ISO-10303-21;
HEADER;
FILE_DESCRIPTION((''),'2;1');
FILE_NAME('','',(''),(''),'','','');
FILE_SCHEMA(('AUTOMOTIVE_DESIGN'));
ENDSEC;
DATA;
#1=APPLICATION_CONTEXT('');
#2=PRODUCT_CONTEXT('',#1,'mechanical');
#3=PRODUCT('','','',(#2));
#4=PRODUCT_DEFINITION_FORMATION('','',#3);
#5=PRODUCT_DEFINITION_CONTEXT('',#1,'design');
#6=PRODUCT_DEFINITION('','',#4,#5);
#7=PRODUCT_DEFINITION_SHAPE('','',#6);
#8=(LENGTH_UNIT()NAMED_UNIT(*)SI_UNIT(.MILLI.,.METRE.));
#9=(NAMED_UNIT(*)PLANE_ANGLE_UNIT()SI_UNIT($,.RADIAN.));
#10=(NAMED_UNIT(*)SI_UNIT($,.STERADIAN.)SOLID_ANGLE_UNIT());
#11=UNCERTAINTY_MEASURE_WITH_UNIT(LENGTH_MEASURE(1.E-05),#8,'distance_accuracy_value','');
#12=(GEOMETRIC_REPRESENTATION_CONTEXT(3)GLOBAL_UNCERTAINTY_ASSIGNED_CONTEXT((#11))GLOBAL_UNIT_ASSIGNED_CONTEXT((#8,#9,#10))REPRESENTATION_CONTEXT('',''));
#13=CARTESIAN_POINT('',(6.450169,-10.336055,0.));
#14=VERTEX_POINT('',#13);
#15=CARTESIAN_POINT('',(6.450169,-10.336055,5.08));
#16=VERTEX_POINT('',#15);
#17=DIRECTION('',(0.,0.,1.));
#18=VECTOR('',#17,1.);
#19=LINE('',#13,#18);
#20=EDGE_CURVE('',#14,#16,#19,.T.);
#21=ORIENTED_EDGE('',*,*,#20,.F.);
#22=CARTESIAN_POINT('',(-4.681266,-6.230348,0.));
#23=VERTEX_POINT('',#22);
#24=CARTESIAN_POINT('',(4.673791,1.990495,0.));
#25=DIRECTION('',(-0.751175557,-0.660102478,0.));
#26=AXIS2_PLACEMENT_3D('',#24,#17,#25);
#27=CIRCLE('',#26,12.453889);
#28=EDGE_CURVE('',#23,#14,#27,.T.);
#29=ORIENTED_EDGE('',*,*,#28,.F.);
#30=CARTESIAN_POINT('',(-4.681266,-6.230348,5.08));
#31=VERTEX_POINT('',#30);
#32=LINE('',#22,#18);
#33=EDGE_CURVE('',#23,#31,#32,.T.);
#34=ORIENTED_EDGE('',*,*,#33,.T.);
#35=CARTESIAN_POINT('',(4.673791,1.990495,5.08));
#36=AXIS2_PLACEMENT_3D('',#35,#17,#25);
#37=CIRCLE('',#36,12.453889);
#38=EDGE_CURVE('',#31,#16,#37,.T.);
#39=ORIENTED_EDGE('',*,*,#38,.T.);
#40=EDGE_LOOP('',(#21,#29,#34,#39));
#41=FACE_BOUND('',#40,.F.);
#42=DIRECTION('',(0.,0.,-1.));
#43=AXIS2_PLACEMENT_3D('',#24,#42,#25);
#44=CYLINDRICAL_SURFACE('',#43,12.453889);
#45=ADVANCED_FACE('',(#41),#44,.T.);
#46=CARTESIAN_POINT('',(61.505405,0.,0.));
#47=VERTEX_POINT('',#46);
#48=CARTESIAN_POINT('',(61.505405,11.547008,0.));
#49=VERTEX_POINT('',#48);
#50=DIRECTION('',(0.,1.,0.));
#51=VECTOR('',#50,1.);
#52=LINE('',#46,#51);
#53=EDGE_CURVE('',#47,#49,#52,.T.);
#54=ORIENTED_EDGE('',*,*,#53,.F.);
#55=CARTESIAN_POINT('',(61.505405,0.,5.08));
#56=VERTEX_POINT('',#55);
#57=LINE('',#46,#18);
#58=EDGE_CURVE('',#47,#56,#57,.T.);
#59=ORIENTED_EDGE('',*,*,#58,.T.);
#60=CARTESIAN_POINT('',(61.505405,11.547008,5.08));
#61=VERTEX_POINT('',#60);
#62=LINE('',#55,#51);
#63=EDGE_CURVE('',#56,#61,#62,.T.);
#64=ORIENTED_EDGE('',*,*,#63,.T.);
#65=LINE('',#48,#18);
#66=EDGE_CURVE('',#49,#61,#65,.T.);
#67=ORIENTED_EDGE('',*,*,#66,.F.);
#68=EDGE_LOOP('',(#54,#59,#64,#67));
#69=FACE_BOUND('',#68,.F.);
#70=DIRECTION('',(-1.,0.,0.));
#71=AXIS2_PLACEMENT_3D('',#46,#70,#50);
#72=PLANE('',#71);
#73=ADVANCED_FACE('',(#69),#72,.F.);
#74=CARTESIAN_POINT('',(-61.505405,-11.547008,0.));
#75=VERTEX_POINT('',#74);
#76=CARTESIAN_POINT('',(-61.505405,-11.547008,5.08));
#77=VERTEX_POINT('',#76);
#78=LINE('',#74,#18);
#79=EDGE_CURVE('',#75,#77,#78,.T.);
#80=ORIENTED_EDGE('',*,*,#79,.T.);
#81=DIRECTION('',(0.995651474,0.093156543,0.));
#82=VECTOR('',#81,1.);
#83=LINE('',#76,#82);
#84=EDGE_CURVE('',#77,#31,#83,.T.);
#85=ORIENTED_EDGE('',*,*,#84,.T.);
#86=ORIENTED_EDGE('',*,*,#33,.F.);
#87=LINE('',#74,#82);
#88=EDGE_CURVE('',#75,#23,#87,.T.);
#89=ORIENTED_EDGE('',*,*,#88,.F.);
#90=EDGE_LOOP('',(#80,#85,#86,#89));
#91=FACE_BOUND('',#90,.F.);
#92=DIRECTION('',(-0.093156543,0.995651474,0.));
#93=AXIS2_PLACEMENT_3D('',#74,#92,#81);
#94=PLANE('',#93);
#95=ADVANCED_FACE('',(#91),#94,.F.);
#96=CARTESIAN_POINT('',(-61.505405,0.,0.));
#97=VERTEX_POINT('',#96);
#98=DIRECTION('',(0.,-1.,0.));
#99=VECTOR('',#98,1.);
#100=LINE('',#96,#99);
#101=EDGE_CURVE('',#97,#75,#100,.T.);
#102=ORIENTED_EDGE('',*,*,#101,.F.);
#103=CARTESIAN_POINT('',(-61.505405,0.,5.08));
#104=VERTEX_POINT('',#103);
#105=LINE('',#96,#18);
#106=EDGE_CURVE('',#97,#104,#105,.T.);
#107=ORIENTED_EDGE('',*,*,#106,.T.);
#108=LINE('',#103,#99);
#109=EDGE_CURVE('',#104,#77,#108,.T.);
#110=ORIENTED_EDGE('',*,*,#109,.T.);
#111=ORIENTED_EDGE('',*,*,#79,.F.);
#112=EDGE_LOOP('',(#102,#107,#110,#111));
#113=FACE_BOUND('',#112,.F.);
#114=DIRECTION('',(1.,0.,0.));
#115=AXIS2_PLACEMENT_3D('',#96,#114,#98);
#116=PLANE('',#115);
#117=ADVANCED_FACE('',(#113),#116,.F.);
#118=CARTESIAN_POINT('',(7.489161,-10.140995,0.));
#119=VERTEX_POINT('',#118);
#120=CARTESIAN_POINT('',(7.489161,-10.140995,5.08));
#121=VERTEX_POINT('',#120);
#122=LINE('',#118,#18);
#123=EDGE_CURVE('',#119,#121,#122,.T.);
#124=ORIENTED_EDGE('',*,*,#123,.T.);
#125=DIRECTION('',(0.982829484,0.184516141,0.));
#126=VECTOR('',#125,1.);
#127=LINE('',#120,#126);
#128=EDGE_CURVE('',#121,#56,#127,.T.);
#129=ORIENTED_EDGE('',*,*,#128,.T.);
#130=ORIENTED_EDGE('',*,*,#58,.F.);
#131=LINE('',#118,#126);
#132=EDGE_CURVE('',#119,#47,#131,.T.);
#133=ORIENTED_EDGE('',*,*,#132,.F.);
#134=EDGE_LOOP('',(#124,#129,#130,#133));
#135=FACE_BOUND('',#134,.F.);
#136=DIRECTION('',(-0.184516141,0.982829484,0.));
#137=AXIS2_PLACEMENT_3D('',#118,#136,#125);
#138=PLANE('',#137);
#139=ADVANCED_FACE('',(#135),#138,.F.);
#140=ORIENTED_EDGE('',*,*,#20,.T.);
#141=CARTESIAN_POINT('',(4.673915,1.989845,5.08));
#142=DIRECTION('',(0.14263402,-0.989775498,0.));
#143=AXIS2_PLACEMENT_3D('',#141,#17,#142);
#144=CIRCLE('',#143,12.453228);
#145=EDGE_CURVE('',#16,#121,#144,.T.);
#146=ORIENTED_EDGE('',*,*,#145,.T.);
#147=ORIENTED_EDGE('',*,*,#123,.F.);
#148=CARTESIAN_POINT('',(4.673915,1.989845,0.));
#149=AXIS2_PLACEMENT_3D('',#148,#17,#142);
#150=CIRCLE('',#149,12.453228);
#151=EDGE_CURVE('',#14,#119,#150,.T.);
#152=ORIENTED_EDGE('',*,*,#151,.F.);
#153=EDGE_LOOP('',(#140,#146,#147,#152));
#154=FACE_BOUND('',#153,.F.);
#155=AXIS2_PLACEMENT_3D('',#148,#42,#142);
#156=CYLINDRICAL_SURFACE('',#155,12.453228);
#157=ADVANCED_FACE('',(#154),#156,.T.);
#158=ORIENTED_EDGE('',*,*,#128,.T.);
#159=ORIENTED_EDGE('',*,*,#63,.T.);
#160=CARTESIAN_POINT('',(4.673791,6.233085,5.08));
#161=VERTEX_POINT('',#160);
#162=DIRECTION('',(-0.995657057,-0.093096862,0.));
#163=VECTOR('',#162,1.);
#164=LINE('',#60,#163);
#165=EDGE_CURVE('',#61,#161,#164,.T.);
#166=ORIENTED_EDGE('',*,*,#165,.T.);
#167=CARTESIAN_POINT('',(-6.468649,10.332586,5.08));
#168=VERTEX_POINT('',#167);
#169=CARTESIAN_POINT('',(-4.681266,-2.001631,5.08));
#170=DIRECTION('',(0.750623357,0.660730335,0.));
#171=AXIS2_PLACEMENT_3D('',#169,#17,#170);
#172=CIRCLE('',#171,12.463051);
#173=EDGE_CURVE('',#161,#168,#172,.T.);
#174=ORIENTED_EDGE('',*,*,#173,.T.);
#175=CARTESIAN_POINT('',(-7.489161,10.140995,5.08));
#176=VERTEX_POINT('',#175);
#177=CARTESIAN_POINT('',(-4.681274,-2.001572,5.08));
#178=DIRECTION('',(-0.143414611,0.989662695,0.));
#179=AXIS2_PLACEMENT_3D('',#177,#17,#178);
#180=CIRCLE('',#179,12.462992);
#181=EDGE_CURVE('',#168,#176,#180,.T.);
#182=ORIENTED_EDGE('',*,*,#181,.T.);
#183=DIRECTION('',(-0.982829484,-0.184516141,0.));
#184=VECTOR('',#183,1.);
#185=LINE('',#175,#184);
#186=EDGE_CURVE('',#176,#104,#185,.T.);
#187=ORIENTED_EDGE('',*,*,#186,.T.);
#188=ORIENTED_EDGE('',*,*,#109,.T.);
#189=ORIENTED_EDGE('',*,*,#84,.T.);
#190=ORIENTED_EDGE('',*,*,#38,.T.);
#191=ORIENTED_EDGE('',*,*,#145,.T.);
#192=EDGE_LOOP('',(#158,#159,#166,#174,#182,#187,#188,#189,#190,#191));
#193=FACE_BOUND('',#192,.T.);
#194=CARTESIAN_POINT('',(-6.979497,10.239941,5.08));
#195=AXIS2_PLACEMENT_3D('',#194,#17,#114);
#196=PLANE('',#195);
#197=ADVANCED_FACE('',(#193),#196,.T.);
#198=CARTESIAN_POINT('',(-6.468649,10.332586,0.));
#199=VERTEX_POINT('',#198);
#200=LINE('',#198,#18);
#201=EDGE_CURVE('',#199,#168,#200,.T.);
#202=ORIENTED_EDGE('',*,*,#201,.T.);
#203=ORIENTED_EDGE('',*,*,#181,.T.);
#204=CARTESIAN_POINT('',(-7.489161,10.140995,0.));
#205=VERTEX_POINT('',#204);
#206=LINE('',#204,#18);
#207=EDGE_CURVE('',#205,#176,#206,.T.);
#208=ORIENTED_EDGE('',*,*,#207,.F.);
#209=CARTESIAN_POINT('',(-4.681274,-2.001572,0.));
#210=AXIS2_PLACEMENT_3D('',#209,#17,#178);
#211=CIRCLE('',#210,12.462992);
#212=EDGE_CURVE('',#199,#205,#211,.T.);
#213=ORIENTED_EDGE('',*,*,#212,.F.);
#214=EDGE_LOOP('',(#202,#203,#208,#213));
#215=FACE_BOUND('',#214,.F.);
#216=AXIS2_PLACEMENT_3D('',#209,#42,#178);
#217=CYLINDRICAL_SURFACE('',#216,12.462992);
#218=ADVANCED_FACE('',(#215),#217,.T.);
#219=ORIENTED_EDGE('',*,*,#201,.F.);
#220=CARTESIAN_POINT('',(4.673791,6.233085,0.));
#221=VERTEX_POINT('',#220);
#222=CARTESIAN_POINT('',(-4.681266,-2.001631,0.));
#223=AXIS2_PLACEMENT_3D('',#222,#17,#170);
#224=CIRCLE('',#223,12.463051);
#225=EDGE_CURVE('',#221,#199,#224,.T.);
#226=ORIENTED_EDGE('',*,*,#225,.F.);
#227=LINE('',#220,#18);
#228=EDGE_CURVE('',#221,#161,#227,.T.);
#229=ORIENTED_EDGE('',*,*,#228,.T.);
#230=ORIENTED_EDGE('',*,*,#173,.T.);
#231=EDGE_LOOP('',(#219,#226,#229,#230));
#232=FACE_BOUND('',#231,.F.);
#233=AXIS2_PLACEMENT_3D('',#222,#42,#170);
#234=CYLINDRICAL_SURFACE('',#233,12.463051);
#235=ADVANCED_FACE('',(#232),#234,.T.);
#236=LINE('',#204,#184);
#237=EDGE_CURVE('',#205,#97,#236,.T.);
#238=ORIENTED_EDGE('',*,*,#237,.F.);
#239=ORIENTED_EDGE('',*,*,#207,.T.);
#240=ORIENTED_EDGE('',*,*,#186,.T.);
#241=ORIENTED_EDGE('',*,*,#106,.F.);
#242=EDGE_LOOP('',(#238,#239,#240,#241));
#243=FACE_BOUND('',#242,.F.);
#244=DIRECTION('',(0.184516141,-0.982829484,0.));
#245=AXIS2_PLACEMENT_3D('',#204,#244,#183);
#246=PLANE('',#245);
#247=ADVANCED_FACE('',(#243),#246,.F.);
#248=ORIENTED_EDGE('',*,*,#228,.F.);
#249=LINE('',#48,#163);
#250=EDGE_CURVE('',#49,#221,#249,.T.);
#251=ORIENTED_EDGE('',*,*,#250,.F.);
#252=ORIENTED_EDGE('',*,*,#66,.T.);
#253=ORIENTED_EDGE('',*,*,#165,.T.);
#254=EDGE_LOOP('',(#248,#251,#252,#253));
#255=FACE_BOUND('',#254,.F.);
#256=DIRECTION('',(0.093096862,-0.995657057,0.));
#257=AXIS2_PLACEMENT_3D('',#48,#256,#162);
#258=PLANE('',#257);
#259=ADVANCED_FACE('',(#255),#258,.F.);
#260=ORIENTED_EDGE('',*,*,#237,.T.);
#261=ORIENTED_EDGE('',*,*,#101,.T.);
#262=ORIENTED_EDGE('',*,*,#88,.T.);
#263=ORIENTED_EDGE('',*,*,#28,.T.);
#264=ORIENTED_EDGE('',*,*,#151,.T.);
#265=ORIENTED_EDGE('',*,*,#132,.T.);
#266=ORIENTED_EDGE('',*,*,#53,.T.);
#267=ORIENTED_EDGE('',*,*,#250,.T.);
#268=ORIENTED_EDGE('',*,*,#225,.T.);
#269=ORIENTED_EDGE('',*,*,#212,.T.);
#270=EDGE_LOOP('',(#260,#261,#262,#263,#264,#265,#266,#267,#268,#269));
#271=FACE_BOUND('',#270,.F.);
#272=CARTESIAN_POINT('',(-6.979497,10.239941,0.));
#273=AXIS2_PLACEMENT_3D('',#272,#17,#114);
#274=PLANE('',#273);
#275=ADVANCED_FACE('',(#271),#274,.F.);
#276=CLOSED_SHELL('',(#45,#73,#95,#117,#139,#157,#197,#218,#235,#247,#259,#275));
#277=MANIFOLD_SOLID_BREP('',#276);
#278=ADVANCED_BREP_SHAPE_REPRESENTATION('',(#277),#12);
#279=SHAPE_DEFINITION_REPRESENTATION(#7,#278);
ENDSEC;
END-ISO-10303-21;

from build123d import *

# Parameters (mm, degrees)
F1_DEPTH = 5.08


with BuildPart() as f1:
    # F0 (on Top) → F1 (new body)
    with BuildSketch(Plane.XY):
        with BuildLine():
            ThreePointArc((-6.468649, 10.332586), (-6.980901, 10.247423), (-7.489161, 10.140995))
            Line((-7.489161, 10.140995), (-6.468649, 10.332586))
        make_face()
        with BuildLine():
            Line((7.489161, -10.140995), (6.450169, -10.336055))
            ThreePointArc((6.450169, -10.336055), (6.971735, -10.249555), (7.489161, -10.140995))
        make_face()
        with BuildLine():
            Line((-7.489161, 10.140995), (-61.505405, 0))
            Line((-61.505405, 0), (-61.505405, -11.547008))
            Line((-61.505405, -11.547008), (-4.681266, -6.230348))
            ThreePointArc((-4.681266, -6.230348), (0.364115, -9.693941), (6.450169, -10.336055))
            Line((6.450169, -10.336055), (7.489161, -10.140995))
            Line((7.489161, -10.140995), (61.505405, 0))
            Line((61.505405, 0), (61.505405, 11.547008))
            Line((61.505405, 11.547008), (4.673791, 6.233085))
            ThreePointArc((4.673791, 6.233085), (-0.377907, 9.694896), (-6.468649, 10.332586))
            Line((-6.468649, 10.332586), (-7.489161, 10.140995))
        make_face()
    extrude(amount=F1_DEPTH)


solid = f1.part
